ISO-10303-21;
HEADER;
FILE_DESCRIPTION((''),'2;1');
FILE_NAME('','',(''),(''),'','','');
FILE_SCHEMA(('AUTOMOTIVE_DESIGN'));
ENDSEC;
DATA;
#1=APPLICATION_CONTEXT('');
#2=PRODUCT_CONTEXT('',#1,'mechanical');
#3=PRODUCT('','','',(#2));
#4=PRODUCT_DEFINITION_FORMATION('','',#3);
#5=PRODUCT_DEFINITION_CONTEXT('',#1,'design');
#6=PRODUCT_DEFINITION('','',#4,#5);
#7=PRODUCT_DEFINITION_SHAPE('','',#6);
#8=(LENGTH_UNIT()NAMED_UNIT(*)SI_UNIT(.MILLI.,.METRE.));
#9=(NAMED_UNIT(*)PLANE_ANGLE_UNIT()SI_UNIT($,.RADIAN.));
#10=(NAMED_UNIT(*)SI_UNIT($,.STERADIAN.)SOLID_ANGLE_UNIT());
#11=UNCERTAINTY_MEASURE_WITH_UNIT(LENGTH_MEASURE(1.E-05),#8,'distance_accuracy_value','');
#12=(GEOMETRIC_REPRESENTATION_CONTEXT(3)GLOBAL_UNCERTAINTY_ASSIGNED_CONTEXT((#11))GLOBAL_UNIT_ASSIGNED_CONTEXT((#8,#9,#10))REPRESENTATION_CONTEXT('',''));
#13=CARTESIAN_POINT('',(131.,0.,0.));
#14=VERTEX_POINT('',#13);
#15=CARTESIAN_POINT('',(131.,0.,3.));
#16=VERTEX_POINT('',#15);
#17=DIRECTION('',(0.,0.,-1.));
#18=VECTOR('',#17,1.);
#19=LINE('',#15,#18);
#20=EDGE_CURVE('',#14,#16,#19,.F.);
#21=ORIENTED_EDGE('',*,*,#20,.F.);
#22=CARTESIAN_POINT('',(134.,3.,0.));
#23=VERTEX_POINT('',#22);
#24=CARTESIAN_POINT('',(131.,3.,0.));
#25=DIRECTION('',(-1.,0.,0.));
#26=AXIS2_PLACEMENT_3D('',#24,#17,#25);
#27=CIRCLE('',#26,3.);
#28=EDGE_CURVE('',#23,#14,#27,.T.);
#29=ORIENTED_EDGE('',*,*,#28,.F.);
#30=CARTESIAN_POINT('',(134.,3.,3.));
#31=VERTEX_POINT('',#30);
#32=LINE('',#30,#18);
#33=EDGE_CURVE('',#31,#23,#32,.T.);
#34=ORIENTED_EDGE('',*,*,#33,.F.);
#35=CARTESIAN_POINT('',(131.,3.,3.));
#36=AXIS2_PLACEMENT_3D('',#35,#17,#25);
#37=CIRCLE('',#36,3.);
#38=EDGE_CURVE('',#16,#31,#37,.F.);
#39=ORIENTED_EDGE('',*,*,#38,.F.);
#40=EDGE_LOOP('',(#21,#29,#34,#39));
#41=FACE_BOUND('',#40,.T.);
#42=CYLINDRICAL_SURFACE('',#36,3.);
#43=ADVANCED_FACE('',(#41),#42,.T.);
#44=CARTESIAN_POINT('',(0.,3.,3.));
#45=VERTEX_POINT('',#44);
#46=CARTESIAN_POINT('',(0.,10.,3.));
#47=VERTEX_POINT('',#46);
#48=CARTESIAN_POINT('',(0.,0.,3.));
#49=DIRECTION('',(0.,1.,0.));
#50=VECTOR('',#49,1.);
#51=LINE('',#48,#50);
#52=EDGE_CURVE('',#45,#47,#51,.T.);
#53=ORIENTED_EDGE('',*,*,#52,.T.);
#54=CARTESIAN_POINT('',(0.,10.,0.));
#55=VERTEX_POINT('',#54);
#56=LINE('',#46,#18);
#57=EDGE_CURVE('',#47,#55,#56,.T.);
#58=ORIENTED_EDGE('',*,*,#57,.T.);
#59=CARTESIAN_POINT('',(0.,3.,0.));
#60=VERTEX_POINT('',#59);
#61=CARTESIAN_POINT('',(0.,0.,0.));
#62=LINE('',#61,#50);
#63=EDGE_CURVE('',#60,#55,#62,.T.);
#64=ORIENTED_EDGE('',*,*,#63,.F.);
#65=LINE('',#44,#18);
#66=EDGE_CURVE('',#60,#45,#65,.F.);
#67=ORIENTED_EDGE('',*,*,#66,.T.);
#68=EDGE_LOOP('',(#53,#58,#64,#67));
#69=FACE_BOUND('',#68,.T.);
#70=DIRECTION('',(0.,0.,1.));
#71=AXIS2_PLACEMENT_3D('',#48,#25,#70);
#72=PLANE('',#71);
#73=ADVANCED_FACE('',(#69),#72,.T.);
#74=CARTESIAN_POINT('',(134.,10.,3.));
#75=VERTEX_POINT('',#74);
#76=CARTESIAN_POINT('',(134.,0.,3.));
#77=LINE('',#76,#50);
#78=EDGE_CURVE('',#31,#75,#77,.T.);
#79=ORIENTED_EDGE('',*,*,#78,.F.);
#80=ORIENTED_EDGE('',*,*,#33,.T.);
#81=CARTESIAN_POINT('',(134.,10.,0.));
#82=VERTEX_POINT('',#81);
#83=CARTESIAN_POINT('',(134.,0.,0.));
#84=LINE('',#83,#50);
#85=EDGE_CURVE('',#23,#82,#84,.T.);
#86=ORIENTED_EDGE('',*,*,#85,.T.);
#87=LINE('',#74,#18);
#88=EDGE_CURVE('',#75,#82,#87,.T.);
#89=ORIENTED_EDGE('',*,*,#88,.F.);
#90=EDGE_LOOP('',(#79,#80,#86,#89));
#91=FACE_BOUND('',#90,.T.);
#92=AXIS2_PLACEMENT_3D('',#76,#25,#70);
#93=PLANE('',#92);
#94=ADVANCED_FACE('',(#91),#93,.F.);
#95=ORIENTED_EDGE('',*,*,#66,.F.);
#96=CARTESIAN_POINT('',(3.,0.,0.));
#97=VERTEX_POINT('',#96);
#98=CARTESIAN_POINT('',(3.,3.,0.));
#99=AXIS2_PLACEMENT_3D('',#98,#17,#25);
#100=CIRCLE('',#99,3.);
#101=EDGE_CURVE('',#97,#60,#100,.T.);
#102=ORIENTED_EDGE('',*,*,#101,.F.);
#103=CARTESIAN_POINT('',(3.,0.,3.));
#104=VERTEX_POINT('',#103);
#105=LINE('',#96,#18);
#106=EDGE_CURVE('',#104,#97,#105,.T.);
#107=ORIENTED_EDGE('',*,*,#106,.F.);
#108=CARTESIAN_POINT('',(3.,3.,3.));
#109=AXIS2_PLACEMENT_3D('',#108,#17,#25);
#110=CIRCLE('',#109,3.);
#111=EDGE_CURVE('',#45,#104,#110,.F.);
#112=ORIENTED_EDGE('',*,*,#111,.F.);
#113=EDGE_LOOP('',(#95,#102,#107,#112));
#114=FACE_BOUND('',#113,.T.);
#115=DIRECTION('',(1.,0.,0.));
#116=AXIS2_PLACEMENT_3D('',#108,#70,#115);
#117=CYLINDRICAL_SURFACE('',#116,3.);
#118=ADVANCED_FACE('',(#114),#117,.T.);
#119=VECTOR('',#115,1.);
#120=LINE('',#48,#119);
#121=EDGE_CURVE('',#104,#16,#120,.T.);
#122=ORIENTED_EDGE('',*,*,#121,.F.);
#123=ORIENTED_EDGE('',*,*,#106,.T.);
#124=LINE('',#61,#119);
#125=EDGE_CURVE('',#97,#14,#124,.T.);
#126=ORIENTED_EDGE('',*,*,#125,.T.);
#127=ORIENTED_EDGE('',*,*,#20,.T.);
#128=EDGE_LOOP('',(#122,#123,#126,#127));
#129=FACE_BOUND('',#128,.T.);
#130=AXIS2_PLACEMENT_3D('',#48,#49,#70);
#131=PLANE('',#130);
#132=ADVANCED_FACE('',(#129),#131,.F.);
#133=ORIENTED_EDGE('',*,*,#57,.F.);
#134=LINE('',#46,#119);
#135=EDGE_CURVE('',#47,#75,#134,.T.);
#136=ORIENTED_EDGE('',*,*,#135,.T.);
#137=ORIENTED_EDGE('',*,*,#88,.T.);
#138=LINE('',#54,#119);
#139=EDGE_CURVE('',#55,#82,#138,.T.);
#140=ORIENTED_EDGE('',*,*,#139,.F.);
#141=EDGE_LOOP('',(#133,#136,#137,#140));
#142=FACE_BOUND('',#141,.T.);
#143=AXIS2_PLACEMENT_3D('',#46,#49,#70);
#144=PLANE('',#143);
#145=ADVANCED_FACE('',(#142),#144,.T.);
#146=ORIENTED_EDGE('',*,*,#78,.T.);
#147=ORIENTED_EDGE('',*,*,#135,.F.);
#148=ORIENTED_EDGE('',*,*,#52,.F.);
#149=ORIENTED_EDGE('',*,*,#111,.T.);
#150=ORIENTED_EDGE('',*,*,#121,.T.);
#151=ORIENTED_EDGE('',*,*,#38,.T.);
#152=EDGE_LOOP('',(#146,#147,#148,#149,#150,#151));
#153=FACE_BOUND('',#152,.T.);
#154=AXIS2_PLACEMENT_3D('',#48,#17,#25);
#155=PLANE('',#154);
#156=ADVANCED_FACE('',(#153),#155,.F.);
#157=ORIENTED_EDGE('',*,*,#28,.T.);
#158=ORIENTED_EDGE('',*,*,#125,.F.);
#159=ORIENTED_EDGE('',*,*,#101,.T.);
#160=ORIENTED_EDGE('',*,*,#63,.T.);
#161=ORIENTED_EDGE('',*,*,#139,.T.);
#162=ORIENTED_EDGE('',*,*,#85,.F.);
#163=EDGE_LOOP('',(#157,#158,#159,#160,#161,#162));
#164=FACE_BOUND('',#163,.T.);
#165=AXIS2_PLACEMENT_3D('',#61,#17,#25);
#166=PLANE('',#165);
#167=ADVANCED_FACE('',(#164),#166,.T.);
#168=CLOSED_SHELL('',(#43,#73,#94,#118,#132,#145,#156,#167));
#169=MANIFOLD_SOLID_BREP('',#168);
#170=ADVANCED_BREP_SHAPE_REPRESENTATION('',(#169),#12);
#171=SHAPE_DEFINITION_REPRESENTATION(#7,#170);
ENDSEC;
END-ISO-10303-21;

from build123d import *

# Parameters (mm, degrees)
SKETCH2_W           = 134
SKETCH2_H           = 10
BOSS_EXTRUDE1_DEPTH = 3
FILLET1_R           = 3


with BuildPart() as part:
    # Sketch2 → Boss-Extrude1 (new body)
    with BuildSketch(Plane.XY):
        with Locations((67, 5)):
            Rectangle(SKETCH2_W, SKETCH2_H)
    extrude(amount=BOSS_EXTRUDE1_DEPTH)

    # Fillet1
    fillet1_edges = [part.edges().sort_by_distance(p)[0] for p in [
        (0, 0, 1.5),
        (134, 0, 1.5),
    ]]
    fillet(fillet1_edges, radius=FILLET1_R)


solid = part.part
